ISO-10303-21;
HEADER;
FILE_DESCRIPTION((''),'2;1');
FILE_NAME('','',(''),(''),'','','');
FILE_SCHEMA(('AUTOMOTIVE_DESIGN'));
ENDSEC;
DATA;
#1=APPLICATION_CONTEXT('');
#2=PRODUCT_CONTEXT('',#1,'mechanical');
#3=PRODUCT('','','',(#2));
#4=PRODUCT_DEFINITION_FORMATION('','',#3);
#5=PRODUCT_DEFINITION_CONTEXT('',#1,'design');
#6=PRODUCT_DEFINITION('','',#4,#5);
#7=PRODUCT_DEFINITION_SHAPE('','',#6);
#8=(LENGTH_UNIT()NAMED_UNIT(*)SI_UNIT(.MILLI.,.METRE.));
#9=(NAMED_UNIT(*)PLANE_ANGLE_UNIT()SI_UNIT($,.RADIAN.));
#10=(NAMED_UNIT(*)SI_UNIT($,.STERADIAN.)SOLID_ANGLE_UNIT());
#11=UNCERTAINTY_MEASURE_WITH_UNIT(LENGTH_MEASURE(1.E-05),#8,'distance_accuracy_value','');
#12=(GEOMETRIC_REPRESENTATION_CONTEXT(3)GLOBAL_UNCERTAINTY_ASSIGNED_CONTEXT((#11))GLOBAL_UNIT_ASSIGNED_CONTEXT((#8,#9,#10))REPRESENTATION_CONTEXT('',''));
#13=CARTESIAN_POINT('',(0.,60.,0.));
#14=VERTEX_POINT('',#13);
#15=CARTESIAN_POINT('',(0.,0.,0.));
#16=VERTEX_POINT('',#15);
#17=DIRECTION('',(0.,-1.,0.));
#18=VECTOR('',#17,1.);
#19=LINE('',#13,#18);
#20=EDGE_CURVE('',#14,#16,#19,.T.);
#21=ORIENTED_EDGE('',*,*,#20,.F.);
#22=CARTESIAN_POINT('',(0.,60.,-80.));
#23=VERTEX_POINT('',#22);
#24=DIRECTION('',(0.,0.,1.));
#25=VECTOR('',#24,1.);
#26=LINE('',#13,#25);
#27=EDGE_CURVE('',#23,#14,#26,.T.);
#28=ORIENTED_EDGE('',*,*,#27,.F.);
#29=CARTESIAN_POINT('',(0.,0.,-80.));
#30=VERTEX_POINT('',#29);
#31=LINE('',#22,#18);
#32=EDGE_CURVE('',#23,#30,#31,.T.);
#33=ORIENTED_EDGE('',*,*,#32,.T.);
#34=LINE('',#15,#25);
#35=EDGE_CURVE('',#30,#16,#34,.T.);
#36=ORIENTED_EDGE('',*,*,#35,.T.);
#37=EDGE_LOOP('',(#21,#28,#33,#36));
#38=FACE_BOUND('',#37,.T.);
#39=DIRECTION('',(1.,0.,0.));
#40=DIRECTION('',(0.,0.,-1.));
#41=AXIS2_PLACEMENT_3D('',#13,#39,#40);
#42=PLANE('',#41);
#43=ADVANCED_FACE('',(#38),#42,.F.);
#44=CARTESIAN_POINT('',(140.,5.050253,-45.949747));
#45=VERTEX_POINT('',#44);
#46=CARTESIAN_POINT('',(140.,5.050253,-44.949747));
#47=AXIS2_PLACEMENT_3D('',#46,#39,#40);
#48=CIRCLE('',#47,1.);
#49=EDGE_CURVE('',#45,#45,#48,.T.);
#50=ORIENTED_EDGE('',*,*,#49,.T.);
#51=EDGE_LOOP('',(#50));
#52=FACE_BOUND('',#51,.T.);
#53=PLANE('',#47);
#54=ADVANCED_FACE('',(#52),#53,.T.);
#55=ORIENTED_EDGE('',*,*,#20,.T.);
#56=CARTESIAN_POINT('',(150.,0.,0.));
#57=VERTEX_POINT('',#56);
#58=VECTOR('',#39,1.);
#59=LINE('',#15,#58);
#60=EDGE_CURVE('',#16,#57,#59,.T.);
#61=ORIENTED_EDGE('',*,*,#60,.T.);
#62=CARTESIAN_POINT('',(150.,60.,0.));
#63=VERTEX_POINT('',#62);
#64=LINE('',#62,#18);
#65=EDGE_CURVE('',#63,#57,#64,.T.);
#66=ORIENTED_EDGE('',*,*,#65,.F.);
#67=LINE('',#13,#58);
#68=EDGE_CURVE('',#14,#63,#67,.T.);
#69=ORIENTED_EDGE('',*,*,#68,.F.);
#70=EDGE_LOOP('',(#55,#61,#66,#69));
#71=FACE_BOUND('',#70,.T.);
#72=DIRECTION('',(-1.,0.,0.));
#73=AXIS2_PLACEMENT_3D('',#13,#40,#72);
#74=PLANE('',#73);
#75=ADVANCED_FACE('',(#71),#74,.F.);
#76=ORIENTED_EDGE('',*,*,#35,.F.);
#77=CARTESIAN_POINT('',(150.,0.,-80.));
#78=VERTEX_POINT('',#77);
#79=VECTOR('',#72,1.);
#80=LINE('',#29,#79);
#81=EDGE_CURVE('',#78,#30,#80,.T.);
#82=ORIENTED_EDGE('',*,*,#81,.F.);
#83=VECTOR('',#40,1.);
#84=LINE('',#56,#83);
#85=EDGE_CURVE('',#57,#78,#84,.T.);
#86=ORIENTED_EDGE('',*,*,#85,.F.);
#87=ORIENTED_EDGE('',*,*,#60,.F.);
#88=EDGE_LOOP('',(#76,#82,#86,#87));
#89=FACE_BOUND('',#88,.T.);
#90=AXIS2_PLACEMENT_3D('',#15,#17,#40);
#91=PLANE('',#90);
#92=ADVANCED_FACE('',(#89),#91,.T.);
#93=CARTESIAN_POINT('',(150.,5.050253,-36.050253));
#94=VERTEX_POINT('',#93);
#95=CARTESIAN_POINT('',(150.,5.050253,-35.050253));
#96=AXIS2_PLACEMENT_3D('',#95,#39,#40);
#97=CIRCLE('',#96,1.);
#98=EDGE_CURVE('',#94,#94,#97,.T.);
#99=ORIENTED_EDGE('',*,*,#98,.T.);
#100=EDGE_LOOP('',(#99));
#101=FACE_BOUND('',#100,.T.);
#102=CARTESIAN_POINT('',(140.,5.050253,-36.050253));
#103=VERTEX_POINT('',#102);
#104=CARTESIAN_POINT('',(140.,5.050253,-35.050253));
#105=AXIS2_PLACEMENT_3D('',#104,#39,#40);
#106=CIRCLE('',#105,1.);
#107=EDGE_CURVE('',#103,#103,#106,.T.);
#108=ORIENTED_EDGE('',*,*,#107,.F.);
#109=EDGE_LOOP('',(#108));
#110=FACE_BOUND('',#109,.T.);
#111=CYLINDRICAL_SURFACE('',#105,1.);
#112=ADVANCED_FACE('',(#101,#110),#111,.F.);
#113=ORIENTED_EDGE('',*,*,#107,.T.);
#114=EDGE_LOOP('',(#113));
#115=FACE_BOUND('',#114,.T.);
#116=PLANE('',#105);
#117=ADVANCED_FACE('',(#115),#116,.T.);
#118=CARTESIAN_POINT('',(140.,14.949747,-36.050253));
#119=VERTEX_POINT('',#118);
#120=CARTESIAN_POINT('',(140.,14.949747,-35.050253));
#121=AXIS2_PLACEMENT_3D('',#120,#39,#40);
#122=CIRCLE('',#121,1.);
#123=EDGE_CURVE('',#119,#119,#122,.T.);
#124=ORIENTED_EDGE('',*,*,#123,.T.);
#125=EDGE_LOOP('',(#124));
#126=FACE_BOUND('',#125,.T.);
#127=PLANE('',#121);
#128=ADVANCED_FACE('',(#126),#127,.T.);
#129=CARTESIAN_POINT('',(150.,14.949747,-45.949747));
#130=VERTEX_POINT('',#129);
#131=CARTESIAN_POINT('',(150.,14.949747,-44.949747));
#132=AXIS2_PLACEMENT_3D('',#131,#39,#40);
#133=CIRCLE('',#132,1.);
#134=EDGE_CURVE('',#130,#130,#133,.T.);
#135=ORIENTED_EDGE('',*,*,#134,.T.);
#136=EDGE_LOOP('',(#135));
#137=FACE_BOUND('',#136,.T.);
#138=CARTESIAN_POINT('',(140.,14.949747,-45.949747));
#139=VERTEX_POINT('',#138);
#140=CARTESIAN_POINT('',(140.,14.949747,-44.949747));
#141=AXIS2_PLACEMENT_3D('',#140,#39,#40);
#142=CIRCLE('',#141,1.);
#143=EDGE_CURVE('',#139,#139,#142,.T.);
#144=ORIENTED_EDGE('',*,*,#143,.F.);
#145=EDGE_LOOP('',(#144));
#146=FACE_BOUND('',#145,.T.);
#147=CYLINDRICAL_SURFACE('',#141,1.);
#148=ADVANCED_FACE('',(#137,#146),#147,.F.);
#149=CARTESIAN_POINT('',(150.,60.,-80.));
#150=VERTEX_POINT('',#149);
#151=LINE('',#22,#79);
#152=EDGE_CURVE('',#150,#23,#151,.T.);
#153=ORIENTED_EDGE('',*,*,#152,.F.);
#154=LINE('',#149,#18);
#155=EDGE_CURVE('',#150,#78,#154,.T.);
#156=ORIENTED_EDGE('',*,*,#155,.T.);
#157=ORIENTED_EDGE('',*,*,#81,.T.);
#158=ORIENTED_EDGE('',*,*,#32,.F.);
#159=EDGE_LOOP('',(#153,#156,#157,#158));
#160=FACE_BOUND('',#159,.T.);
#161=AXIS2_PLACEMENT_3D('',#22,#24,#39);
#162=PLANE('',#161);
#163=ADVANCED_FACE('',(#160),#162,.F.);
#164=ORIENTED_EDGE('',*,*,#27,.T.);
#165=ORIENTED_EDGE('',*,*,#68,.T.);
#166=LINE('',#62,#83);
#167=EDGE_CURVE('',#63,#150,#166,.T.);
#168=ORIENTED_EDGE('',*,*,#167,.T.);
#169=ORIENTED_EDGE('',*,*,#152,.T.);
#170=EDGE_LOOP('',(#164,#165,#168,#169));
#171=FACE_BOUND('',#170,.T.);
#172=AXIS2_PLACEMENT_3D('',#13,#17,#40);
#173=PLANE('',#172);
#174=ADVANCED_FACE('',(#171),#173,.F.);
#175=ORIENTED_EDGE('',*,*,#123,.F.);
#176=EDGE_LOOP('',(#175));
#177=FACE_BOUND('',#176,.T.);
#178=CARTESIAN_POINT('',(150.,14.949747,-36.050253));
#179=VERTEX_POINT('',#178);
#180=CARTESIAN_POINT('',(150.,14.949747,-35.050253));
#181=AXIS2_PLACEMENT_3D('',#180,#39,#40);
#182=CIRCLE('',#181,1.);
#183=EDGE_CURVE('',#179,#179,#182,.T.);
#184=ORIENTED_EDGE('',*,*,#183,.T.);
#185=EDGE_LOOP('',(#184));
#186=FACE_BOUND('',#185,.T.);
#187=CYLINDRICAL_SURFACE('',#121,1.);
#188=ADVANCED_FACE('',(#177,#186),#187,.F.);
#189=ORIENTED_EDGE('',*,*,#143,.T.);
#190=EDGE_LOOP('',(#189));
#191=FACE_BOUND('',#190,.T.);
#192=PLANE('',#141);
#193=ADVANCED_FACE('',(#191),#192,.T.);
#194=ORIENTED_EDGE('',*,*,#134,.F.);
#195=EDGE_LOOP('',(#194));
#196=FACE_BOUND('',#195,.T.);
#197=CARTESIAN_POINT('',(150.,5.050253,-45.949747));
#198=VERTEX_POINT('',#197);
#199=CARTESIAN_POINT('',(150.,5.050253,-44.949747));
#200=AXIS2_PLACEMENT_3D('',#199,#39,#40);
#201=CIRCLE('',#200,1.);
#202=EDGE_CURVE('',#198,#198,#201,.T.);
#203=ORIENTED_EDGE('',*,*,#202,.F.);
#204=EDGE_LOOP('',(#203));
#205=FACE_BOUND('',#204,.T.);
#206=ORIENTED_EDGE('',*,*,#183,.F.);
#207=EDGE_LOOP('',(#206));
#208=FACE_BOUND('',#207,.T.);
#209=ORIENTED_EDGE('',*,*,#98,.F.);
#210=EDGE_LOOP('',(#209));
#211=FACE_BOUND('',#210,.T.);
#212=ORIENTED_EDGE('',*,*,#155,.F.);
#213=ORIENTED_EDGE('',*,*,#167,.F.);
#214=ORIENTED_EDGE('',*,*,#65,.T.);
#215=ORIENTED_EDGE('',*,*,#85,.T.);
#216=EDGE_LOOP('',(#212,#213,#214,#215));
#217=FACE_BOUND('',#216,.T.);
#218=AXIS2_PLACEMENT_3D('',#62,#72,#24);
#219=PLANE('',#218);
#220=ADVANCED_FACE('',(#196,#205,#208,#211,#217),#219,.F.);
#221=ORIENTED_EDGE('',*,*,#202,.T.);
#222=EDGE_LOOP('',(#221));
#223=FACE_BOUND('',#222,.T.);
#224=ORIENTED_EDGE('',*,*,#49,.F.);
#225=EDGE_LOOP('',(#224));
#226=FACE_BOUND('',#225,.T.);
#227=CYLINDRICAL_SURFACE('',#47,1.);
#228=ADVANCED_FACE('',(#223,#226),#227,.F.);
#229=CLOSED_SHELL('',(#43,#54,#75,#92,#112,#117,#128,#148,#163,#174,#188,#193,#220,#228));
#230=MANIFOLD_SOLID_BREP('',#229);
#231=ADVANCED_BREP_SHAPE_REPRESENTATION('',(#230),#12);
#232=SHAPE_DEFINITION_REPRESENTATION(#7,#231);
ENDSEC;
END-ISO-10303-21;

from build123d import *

# Parameters (mm, degrees)
SKETCH_1_W          = 150
SKETCH_1_H          = 80
EXTRUDE_1_DEPTH     = 60
SKETCH_2_R          = 1
CUT_EXTRUDE_2_DEPTH = 10


with BuildPart() as part:
    # Эскиз1 → Бобышка-Вытянуть1 (new body)
    with BuildSketch(Plane(origin=(0, 0, 0), x_dir=(1, 0, 0), z_dir=(0, 1, 0))):
        with Locations((75, 40)):
            Rectangle(SKETCH_1_W, SKETCH_1_H)
    extrude(amount=EXTRUDE_1_DEPTH)

    # Эскиз2 → Вырез-Вытянуть2 (cut)
    with BuildSketch(Plane(origin=(150, 0, 0), x_dir=(0, 0, -1), z_dir=(1, 0, 0))):
        with Locations((35.050252532, 14.949747468)):
            Circle(SKETCH_2_R)
        with Locations((44.949747468, 14.949747468)):
            Circle(SKETCH_2_R)
        with Locations((44.949747468, 5.050252532)):
            Circle(SKETCH_2_R)
        with Locations((35.050252532, 5.050252532)):
            Circle(SKETCH_2_R)
    extrude(amount=-CUT_EXTRUDE_2_DEPTH, mode=Mode.SUBTRACT)


solid = part.part
